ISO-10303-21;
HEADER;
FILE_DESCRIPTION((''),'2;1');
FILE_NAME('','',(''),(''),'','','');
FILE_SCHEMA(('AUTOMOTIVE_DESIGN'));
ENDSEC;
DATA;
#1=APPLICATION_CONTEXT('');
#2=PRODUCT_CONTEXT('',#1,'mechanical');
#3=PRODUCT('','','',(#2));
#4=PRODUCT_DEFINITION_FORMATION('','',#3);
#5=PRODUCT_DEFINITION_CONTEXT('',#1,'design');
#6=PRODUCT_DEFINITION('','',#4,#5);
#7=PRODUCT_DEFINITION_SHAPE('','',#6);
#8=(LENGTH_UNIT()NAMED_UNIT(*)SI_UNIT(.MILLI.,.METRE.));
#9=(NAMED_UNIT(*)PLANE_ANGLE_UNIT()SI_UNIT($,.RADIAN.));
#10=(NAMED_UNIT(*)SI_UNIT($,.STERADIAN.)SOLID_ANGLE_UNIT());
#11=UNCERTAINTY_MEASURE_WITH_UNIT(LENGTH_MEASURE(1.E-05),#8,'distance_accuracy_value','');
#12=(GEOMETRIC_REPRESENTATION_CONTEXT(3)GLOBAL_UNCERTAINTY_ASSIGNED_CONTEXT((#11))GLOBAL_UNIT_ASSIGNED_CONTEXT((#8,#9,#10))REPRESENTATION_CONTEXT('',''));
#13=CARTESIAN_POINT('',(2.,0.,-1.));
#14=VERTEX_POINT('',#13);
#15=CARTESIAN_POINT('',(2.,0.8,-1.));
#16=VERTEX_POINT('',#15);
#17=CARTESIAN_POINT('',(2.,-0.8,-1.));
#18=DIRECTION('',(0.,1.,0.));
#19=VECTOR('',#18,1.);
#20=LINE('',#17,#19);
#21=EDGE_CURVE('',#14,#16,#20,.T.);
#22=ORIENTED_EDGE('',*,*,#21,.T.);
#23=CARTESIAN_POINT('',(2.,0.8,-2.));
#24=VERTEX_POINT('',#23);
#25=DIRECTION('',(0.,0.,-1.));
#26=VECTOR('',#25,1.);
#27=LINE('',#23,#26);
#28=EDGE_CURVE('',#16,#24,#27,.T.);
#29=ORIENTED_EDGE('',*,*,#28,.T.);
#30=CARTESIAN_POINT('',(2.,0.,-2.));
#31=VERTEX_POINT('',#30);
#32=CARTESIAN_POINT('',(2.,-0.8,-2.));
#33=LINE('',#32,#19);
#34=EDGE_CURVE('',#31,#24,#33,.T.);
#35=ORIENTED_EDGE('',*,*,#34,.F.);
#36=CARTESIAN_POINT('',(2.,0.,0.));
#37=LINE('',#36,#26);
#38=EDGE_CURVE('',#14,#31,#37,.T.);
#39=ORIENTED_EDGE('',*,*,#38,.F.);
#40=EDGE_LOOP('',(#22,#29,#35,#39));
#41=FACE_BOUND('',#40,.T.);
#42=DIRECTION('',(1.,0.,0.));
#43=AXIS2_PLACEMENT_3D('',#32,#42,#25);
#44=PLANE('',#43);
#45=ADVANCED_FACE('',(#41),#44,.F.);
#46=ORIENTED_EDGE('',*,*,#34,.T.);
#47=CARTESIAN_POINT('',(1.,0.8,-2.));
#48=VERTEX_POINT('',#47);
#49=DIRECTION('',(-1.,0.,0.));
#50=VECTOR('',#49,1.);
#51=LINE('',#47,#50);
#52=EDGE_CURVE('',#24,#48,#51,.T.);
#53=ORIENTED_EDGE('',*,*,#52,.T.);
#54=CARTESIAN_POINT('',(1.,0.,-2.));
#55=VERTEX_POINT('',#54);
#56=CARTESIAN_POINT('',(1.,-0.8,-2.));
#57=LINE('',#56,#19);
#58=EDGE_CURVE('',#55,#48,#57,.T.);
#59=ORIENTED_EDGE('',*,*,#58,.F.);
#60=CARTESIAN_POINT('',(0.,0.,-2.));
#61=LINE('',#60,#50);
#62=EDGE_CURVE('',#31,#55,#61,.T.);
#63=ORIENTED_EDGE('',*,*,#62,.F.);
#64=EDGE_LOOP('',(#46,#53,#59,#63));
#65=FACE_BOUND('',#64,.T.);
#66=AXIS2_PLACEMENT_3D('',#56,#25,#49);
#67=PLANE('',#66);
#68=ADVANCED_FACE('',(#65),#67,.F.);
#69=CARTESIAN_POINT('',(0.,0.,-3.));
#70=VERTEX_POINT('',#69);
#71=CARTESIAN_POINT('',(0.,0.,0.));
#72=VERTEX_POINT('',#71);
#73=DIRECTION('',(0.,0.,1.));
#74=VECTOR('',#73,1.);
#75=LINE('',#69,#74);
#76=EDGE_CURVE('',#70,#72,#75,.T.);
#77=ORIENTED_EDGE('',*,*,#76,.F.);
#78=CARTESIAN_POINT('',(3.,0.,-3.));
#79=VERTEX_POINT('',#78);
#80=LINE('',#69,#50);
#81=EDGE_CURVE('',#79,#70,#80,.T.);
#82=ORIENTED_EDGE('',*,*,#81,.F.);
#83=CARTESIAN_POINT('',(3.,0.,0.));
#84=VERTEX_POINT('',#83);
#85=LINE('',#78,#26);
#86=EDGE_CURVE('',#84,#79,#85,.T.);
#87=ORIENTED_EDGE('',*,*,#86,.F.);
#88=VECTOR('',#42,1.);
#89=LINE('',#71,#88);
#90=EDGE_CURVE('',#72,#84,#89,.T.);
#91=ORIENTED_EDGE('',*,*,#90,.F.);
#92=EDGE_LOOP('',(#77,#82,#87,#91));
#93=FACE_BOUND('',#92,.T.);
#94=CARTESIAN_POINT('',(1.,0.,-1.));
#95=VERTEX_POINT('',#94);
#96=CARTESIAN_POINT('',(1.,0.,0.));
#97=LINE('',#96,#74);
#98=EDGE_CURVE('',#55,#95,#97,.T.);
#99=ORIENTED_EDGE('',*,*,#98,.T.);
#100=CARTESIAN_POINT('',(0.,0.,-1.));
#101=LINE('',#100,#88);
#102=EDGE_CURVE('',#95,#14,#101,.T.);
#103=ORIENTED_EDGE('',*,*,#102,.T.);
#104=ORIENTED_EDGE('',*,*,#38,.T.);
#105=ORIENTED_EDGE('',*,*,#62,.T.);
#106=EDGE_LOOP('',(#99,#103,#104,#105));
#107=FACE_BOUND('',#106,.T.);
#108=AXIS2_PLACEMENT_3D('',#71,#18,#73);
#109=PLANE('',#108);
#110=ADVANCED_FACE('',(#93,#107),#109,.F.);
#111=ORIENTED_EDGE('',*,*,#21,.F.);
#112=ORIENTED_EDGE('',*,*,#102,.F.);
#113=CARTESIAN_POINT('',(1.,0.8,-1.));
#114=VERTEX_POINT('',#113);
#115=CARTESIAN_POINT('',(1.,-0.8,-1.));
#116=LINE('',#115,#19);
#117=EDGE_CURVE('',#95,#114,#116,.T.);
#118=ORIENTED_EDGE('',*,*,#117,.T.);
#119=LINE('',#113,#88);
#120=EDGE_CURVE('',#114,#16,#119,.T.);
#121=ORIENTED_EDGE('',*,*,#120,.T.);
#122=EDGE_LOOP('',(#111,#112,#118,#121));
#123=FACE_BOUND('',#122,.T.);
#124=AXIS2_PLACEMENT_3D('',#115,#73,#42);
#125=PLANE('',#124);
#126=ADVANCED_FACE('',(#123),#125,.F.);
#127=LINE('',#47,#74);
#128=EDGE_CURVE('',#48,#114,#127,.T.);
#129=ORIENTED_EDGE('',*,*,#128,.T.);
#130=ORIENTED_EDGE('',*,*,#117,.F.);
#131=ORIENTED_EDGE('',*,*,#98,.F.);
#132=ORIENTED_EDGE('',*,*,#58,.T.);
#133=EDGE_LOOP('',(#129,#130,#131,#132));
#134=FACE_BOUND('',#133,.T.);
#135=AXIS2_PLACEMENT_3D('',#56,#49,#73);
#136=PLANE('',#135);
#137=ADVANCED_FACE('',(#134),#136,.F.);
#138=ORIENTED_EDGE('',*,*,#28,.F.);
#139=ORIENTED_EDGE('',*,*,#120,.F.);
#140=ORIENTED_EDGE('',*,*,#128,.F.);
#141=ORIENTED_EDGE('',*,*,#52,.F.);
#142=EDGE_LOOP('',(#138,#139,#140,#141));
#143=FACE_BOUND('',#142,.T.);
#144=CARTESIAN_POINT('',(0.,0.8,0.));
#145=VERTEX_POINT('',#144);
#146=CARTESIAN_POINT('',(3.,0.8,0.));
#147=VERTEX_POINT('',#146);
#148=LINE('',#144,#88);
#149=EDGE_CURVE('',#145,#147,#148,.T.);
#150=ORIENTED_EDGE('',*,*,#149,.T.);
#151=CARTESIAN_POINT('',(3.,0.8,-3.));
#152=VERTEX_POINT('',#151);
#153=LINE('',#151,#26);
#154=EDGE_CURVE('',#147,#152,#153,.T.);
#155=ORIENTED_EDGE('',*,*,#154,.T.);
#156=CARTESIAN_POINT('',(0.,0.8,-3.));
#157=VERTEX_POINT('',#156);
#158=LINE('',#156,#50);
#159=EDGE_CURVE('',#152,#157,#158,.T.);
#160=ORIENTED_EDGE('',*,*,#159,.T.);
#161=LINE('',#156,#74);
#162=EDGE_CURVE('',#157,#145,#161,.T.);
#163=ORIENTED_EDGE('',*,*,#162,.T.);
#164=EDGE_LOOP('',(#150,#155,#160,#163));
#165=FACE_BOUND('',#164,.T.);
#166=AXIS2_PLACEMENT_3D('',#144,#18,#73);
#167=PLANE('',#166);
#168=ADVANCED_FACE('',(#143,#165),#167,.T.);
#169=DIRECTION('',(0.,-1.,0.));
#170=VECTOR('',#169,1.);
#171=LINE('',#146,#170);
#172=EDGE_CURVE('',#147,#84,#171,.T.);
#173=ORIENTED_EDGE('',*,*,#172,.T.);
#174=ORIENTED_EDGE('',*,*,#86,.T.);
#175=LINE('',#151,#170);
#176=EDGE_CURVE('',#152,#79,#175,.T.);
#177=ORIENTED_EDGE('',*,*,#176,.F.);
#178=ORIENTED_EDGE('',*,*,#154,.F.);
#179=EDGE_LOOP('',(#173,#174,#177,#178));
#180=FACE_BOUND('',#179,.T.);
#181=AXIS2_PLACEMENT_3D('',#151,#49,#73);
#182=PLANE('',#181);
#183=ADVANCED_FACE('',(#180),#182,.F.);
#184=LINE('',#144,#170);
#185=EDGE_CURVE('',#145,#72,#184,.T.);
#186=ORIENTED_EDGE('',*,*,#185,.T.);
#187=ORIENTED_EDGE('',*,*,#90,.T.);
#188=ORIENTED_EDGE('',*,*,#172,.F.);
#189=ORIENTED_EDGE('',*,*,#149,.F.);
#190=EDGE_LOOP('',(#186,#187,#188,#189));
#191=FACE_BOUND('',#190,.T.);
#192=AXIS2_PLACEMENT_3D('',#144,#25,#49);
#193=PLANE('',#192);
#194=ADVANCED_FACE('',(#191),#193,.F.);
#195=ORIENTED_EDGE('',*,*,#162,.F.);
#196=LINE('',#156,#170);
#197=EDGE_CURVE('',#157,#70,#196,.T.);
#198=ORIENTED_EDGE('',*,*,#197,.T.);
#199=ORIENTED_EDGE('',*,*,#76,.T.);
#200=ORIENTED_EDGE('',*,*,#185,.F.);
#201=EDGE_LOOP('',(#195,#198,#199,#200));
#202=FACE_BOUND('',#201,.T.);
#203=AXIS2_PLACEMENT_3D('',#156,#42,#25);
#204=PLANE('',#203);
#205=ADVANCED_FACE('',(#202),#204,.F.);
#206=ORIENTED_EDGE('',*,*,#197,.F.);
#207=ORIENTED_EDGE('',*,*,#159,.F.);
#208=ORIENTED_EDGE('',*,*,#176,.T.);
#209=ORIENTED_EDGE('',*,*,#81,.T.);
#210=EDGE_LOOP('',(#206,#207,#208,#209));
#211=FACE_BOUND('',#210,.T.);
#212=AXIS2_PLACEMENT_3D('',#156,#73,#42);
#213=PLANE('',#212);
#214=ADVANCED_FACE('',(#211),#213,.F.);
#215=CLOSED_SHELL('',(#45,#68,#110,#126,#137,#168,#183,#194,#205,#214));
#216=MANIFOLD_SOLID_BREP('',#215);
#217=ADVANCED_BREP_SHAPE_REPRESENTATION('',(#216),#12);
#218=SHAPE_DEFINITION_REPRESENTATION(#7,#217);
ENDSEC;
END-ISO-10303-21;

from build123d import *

# Parameters (mm, degrees)
SKETCH1_W           = 3
SKETCH1_H           = 3
BOSS_EXTRUDE1_DEPTH = 0.8
SKETCH2_W           = 1
SKETCH2_H           = 1
CUT_EXTRUDE1_DEPTH  = 1.6


with BuildPart() as part:
    # Sketch1 → Boss-Extrude1 (new body)
    with BuildSketch(Plane(origin=(0, 0, 0), x_dir=(1, 0, 0), z_dir=(0, 1, 0))):
        with Locations((1.5, 1.5)):
            Rectangle(SKETCH1_W, SKETCH1_H)
    extrude(amount=BOSS_EXTRUDE1_DEPTH)

    # Sketch2 → Cut-Extrude1 (cut)
    with BuildSketch(Plane(origin=(0, 0.8, 0), x_dir=(1, 0, 0), z_dir=(0, 1, 0))):
        with Locations((1.5, 1.5)):
            Rectangle(SKETCH2_W, SKETCH2_H)
    extrude(amount=-CUT_EXTRUDE1_DEPTH, mode=Mode.SUBTRACT)


solid = part.part
